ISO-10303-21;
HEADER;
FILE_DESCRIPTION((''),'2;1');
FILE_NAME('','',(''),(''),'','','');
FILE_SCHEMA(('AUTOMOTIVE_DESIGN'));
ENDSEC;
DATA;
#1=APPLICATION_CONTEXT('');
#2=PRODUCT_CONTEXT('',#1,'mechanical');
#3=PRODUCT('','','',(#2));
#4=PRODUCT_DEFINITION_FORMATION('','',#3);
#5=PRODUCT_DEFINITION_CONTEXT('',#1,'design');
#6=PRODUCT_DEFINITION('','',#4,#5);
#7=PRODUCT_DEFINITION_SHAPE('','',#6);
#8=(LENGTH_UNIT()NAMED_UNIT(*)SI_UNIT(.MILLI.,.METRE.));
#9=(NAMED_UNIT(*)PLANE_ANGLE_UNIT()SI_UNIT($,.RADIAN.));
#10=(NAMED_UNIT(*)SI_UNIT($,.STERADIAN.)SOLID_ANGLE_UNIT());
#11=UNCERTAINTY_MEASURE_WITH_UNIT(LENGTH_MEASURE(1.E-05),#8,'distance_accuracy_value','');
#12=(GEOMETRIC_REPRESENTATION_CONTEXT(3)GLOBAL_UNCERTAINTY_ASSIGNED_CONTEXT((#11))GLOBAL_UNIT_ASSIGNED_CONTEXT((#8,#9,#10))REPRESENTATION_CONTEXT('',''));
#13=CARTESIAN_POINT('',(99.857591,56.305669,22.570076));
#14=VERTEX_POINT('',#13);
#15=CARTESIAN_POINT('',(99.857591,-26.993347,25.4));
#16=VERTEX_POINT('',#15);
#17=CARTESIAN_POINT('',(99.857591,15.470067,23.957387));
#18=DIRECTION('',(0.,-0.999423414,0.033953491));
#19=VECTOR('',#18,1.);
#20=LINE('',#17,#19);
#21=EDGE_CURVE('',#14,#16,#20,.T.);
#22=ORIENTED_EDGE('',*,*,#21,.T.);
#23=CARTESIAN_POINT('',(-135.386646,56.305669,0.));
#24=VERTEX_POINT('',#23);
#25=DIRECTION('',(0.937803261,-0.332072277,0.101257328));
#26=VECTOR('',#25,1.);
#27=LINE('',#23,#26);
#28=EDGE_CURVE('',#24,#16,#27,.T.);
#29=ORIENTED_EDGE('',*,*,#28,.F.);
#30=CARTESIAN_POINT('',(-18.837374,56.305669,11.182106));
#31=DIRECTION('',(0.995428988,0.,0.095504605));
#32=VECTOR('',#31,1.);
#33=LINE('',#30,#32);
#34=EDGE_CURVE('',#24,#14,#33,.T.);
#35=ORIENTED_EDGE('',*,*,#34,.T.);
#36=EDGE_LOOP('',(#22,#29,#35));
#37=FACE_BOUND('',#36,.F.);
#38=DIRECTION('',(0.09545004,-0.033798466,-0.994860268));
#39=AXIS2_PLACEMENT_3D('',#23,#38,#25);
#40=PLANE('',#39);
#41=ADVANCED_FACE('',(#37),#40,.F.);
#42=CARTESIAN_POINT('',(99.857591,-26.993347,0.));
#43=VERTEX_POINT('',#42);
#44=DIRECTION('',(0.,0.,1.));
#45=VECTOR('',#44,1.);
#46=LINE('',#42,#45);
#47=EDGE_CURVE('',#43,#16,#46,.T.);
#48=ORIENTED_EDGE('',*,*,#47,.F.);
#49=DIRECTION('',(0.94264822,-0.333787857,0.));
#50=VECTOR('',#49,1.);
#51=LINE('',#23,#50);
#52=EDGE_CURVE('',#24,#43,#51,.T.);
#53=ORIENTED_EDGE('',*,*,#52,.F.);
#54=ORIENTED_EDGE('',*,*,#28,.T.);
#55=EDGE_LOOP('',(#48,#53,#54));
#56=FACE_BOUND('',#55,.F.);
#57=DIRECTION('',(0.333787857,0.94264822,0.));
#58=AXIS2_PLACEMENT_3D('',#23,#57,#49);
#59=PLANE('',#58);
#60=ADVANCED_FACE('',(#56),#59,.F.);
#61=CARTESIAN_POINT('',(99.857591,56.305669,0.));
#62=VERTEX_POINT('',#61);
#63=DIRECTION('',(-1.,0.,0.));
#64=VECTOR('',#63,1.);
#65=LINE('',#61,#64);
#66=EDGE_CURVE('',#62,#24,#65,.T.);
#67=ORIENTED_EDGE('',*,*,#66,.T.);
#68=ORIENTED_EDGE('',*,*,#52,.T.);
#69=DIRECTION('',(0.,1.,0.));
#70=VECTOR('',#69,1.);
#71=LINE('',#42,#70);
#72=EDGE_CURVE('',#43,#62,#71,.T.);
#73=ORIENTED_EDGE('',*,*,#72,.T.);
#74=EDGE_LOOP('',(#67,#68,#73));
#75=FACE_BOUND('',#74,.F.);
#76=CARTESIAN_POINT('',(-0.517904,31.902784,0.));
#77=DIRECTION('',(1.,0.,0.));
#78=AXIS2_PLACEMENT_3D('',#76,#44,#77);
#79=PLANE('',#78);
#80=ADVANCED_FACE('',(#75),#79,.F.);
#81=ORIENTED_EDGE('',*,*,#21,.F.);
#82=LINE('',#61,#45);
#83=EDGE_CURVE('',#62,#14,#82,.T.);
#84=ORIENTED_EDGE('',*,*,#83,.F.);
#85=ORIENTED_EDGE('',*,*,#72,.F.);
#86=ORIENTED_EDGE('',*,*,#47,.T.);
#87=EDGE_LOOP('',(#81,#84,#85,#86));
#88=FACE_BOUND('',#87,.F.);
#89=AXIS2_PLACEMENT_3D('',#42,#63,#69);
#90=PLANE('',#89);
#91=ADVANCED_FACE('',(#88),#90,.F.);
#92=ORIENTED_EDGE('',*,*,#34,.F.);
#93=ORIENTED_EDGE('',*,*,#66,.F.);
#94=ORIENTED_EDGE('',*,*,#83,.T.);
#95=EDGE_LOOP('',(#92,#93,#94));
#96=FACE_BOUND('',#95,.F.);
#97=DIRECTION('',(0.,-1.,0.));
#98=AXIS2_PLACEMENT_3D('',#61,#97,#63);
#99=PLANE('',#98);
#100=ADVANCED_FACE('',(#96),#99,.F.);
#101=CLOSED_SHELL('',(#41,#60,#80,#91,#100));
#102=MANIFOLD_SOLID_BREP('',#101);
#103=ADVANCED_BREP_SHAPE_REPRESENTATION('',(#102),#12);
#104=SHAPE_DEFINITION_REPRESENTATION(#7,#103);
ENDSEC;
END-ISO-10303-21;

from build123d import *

# Parameters (mm, degrees)
F1_DEPTH = 25.4
F3_DEPTH = 117.094


with BuildPart() as f1:
    # F0 (on Top) → F1 (new body)
    with BuildSketch(Plane.XY):
        Polygon((99.8575910926, 56.3056692481), (-135.3866457939, 56.3056692481), (99.8575910926, -26.9933473319), align=None)
    extrude(amount=F1_DEPTH)

    # F2 (on face) → F3 (cut)
    with BuildSketch(Plane(origin=(2.6322578906, 7.4337432085, 0), x_dir=(0.9426482199, -0.333787857, 0), z_dir=(-0.333787857, -0.9426482199, 0))):
        Polygon((-146.4161293339, 25.4), (-146.4161293339, 0), (103.1406320482, 25.4), align=None)
    extrude(amount=-F3_DEPTH, mode=Mode.SUBTRACT)


solid = f1.part
